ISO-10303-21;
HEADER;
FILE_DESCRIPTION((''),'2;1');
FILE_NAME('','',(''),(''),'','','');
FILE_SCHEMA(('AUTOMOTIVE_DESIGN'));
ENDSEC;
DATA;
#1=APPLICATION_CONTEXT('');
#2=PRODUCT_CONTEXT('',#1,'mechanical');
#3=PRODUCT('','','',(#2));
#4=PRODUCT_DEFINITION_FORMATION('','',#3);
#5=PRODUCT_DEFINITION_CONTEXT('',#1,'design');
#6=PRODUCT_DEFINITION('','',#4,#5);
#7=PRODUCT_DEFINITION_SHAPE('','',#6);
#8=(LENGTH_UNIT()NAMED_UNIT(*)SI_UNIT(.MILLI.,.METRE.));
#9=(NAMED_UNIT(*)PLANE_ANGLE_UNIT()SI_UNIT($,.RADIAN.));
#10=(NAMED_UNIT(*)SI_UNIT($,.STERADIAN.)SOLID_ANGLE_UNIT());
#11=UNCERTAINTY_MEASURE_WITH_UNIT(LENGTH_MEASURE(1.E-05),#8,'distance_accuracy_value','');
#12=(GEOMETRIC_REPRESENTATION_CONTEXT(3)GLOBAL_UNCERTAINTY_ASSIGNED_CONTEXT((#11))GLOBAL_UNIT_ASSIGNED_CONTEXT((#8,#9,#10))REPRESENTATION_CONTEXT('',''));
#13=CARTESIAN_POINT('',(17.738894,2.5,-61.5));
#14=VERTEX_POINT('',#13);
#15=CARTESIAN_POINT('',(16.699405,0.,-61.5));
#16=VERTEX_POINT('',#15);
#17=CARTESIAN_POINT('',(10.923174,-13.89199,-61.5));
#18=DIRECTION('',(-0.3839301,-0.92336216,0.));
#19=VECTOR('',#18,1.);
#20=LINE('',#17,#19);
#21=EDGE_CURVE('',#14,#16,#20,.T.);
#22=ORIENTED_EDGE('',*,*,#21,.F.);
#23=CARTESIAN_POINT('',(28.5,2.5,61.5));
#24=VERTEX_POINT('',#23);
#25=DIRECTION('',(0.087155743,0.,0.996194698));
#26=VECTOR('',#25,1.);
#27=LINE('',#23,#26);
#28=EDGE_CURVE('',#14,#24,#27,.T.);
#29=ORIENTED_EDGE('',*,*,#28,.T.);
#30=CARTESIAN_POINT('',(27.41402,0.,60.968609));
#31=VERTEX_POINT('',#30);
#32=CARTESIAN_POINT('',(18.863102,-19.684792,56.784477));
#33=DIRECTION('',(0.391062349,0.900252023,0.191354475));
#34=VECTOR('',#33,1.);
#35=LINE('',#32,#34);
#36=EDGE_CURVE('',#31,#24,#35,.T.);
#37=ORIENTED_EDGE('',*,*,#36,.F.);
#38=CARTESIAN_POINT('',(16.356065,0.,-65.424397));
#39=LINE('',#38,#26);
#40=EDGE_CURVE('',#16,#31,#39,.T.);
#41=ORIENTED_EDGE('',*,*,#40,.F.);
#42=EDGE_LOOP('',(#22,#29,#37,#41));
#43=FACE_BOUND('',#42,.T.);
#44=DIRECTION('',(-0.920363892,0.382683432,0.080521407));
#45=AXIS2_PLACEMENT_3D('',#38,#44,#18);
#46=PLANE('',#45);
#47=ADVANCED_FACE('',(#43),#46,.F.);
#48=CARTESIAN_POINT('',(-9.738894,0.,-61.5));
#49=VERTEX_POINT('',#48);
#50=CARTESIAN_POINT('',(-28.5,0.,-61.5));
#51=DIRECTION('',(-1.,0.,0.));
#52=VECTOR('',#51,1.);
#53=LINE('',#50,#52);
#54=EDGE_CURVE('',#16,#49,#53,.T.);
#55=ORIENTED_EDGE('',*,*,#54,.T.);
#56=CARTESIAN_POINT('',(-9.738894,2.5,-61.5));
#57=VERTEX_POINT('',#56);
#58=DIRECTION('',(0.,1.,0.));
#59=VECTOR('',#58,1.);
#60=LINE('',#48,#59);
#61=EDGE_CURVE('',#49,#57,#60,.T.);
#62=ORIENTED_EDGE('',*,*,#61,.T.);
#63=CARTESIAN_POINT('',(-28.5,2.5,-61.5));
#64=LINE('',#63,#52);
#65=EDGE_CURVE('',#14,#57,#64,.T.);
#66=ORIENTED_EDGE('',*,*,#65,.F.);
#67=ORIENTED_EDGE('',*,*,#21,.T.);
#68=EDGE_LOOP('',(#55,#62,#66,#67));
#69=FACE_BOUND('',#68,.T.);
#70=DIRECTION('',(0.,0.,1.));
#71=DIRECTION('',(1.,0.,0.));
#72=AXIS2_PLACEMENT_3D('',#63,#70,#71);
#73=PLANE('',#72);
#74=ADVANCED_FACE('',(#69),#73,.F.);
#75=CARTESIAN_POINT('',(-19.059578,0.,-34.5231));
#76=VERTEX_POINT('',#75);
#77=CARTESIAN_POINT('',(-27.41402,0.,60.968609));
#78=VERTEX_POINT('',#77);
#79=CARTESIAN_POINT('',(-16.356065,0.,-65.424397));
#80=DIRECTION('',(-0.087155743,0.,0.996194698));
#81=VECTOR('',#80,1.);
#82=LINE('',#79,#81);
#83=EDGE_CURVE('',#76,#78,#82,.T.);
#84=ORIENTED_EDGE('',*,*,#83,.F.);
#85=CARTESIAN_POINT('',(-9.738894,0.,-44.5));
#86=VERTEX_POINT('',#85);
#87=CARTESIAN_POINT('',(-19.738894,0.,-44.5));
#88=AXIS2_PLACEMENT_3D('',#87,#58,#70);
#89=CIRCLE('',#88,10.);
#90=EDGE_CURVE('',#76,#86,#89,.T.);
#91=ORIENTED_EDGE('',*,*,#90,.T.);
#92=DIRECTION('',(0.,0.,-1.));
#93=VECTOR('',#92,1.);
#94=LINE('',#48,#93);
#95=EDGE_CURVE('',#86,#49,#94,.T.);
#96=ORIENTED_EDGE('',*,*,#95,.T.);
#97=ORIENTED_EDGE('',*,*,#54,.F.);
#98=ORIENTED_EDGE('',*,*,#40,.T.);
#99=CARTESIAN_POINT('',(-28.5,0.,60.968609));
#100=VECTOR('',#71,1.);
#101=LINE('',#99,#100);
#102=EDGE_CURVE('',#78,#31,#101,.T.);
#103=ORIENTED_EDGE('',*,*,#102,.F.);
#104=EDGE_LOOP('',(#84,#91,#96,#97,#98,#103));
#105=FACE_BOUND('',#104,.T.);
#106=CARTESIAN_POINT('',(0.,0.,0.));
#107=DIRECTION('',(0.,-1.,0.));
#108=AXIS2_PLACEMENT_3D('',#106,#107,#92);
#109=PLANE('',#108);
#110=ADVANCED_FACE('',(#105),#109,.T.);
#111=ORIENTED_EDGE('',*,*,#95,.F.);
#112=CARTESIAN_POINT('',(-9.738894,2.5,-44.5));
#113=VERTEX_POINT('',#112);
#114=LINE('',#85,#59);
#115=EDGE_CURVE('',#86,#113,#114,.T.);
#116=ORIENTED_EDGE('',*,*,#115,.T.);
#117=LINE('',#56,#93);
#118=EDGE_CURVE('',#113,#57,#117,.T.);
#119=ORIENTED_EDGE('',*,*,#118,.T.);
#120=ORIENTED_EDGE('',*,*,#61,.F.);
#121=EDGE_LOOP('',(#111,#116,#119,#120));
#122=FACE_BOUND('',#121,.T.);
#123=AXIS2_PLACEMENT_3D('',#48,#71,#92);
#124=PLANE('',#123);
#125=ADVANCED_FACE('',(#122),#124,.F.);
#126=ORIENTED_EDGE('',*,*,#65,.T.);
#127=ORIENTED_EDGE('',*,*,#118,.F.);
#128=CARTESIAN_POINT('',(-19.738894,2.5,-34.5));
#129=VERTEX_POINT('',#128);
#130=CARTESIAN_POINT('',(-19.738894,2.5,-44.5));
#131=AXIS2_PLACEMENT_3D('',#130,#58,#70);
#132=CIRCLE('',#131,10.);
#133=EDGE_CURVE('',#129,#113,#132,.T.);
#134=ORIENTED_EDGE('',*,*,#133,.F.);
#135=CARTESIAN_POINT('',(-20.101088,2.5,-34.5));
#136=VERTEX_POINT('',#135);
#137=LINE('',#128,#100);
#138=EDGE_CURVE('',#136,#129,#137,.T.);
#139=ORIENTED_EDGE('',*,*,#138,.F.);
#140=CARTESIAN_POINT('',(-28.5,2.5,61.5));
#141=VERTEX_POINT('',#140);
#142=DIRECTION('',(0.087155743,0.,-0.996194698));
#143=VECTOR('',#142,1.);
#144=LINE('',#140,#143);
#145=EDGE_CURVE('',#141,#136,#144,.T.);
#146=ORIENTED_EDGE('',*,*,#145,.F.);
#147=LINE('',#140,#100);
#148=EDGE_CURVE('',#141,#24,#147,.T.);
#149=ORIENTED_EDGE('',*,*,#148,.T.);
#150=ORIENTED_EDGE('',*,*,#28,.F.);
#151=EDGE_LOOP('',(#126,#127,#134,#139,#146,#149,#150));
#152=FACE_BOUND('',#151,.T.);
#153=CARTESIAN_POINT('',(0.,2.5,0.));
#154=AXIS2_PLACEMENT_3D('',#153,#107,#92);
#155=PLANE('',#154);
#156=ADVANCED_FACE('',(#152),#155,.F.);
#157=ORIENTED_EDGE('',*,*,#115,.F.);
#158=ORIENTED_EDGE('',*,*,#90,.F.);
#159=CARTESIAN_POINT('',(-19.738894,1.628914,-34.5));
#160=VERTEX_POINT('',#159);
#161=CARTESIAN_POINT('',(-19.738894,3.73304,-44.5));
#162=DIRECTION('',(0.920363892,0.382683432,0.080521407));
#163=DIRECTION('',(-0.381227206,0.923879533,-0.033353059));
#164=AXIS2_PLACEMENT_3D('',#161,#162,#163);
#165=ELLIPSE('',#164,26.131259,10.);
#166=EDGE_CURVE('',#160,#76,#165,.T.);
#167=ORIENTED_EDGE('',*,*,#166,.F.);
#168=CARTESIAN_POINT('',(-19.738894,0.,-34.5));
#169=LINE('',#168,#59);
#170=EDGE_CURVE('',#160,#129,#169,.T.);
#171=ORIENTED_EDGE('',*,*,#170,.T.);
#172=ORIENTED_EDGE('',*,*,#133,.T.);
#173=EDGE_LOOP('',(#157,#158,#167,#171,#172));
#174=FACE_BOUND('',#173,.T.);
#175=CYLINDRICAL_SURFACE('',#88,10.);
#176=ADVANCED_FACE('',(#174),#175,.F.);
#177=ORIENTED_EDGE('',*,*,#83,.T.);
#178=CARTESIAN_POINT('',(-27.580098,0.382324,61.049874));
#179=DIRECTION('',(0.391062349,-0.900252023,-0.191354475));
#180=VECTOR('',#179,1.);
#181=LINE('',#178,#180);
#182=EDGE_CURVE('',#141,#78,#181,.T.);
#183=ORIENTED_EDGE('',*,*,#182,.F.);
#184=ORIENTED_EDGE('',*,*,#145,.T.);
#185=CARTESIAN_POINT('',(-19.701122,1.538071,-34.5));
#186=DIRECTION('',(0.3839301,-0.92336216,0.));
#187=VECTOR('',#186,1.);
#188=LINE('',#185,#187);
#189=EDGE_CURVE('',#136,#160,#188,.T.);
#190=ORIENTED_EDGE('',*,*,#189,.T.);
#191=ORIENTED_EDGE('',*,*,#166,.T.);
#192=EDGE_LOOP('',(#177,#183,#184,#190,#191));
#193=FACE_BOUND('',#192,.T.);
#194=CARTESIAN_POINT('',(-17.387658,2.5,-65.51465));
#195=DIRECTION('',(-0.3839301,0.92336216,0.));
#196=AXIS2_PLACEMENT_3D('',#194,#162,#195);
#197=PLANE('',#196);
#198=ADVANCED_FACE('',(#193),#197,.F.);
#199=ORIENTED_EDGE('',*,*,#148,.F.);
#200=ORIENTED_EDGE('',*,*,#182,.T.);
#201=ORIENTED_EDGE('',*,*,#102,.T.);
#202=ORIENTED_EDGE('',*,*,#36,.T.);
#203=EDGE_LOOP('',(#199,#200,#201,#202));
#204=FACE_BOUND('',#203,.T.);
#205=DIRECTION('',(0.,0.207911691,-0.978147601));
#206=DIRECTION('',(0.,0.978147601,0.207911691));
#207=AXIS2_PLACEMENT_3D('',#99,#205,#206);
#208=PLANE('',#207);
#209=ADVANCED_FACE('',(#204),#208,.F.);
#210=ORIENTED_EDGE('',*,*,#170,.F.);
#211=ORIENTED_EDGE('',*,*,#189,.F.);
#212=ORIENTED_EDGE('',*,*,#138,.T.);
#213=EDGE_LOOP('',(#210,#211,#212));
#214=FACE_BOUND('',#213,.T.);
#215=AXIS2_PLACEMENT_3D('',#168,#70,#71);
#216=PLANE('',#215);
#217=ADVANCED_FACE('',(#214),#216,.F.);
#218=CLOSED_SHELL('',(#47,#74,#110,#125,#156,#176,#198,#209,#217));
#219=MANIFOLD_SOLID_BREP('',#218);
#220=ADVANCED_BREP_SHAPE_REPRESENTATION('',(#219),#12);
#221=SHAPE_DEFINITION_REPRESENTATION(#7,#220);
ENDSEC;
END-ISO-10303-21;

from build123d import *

# Parameters (mm, degrees)
SKIZZE1_W                            = 57
SKIZZE1_H                            = 123
AUFSATZ_LINEAR_AUSTRAGEN1_DEPTH      = 2.5
SCHNITT_LINEAR_AUSTRAGEN1_DEPTH      = 84.889808678
SCHNITT_LINEAR_AUSTRAGEN2_DEPTH      = 68.828828679
SCHNITT_LINEAR_AUSTRAGEN3_DEPTH      = 70.726045338
SCHNITT_LINEAR_AUSTRAGEN3_DEPTH_BACK = 70.726045338
SCHNITT_LINEAR_AUSTRAGEN4_DEPTH      = 70.47454308
SCHNITT_LINEAR_AUSTRAGEN4_DEPTH_BACK = 70.47454308
SCHNITT_LINEAR_AUSTRAGEN5_DEPTH      = 68.828828679


with BuildPart() as part:
    # Skizze1 → Aufsatz-Linear austragen1 (new body)
    with BuildSketch(Plane(origin=(0, 0, 0), x_dir=(1, 0, 0), z_dir=(0, 1, 0))):
        Rectangle(SKIZZE1_W, SKIZZE1_H)
    extrude(amount=AUFSATZ_LINEAR_AUSTRAGEN1_DEPTH)

    # Skizze2 → Schnitt-Linear austragen1 (cut, through all)
    with BuildSketch(Plane(origin=(28.5, 0, 0), x_dir=(0, 0, -1), z_dir=(1, 0, 0))):
        Polygon((-61.5, 2.5), (-61.5, 0), (-60.968608596, 0), align=None)
    extrude(amount=-SCHNITT_LINEAR_AUSTRAGEN1_DEPTH, mode=Mode.SUBTRACT)

    # Skizze3 → Schnitt-Linear austragen2 (cut, through all)
    with BuildSketch(Plane(origin=(0, 2.5, 0), x_dir=(1, 0, 0), z_dir=(0, 1, 0))):
        Polygon((-28.5, -61.5), (-17.738894386, 61.5), (-28.5, 61.5), align=None)
        Polygon((28.5, -61.5), (17.738894386, 61.5), (28.5, 61.5), align=None)
    extrude(amount=-SCHNITT_LINEAR_AUSTRAGEN2_DEPTH, mode=Mode.SUBTRACT)

    # Skizze5 → Schnitt-Linear austragen3 (cut, two sides: drawn at the far end of the back side and taken through both)
    with BuildSketch(Plane(origin=(0.175618176, 0, 2.007324937), x_dir=(0, -1, 0), z_dir=(0.08715574274765484, 0, 0.9961946980917459)).offset(-SCHNITT_LINEAR_AUSTRAGEN3_DEPTH_BACK)):
        Polygon((0.008562414, 23.031470717), (-2.5, 23.031470717), (0, 21.995936811), align=None)
    extrude(amount=SCHNITT_LINEAR_AUSTRAGEN3_DEPTH + SCHNITT_LINEAR_AUSTRAGEN3_DEPTH_BACK, mode=Mode.SUBTRACT)

    # Skizze6 → Schnitt-Linear austragen4 (cut, two sides: drawn at the far end of the back side and taken through both)
    with BuildSketch(Plane(origin=(-0.152372814, 0, 1.741629235), x_dir=(0, 1, 0), z_dir=(-0.08715574274766175, 0, 0.9961946980917452)).offset(-SCHNITT_LINEAR_AUSTRAGEN4_DEPTH_BACK)):
        Polygon((2.5, 23.031470717), (0, 21.995936811), (0, 23.031470717), align=None)
    extrude(amount=SCHNITT_LINEAR_AUSTRAGEN4_DEPTH + SCHNITT_LINEAR_AUSTRAGEN4_DEPTH_BACK, mode=Mode.SUBTRACT)

    # Skizze7 → Schnitt-Linear austragen5 (cut, through all)
    with BuildSketch(Plane(origin=(0, 2.5, 0), x_dir=(1, 0, 0), z_dir=(0, 1, 0))):
        with BuildLine():
            Line((-9.738894386, 61.5), (-9.738894386, 44.5))
            ThreePointArc((-9.738894386, 44.5), (-12.667826574, 37.428932188), (-19.738894386, 34.5))
            Line((-19.738894386, 34.5), (-20.101088302, 34.5))
            Line((-20.101088302, 34.5), (-17.738894386, 61.5))
            Line((-17.738894386, 61.5), (-9.738894386, 61.5))
        make_face()
    extrude(amount=-SCHNITT_LINEAR_AUSTRAGEN5_DEPTH, mode=Mode.SUBTRACT)


solid = part.part
